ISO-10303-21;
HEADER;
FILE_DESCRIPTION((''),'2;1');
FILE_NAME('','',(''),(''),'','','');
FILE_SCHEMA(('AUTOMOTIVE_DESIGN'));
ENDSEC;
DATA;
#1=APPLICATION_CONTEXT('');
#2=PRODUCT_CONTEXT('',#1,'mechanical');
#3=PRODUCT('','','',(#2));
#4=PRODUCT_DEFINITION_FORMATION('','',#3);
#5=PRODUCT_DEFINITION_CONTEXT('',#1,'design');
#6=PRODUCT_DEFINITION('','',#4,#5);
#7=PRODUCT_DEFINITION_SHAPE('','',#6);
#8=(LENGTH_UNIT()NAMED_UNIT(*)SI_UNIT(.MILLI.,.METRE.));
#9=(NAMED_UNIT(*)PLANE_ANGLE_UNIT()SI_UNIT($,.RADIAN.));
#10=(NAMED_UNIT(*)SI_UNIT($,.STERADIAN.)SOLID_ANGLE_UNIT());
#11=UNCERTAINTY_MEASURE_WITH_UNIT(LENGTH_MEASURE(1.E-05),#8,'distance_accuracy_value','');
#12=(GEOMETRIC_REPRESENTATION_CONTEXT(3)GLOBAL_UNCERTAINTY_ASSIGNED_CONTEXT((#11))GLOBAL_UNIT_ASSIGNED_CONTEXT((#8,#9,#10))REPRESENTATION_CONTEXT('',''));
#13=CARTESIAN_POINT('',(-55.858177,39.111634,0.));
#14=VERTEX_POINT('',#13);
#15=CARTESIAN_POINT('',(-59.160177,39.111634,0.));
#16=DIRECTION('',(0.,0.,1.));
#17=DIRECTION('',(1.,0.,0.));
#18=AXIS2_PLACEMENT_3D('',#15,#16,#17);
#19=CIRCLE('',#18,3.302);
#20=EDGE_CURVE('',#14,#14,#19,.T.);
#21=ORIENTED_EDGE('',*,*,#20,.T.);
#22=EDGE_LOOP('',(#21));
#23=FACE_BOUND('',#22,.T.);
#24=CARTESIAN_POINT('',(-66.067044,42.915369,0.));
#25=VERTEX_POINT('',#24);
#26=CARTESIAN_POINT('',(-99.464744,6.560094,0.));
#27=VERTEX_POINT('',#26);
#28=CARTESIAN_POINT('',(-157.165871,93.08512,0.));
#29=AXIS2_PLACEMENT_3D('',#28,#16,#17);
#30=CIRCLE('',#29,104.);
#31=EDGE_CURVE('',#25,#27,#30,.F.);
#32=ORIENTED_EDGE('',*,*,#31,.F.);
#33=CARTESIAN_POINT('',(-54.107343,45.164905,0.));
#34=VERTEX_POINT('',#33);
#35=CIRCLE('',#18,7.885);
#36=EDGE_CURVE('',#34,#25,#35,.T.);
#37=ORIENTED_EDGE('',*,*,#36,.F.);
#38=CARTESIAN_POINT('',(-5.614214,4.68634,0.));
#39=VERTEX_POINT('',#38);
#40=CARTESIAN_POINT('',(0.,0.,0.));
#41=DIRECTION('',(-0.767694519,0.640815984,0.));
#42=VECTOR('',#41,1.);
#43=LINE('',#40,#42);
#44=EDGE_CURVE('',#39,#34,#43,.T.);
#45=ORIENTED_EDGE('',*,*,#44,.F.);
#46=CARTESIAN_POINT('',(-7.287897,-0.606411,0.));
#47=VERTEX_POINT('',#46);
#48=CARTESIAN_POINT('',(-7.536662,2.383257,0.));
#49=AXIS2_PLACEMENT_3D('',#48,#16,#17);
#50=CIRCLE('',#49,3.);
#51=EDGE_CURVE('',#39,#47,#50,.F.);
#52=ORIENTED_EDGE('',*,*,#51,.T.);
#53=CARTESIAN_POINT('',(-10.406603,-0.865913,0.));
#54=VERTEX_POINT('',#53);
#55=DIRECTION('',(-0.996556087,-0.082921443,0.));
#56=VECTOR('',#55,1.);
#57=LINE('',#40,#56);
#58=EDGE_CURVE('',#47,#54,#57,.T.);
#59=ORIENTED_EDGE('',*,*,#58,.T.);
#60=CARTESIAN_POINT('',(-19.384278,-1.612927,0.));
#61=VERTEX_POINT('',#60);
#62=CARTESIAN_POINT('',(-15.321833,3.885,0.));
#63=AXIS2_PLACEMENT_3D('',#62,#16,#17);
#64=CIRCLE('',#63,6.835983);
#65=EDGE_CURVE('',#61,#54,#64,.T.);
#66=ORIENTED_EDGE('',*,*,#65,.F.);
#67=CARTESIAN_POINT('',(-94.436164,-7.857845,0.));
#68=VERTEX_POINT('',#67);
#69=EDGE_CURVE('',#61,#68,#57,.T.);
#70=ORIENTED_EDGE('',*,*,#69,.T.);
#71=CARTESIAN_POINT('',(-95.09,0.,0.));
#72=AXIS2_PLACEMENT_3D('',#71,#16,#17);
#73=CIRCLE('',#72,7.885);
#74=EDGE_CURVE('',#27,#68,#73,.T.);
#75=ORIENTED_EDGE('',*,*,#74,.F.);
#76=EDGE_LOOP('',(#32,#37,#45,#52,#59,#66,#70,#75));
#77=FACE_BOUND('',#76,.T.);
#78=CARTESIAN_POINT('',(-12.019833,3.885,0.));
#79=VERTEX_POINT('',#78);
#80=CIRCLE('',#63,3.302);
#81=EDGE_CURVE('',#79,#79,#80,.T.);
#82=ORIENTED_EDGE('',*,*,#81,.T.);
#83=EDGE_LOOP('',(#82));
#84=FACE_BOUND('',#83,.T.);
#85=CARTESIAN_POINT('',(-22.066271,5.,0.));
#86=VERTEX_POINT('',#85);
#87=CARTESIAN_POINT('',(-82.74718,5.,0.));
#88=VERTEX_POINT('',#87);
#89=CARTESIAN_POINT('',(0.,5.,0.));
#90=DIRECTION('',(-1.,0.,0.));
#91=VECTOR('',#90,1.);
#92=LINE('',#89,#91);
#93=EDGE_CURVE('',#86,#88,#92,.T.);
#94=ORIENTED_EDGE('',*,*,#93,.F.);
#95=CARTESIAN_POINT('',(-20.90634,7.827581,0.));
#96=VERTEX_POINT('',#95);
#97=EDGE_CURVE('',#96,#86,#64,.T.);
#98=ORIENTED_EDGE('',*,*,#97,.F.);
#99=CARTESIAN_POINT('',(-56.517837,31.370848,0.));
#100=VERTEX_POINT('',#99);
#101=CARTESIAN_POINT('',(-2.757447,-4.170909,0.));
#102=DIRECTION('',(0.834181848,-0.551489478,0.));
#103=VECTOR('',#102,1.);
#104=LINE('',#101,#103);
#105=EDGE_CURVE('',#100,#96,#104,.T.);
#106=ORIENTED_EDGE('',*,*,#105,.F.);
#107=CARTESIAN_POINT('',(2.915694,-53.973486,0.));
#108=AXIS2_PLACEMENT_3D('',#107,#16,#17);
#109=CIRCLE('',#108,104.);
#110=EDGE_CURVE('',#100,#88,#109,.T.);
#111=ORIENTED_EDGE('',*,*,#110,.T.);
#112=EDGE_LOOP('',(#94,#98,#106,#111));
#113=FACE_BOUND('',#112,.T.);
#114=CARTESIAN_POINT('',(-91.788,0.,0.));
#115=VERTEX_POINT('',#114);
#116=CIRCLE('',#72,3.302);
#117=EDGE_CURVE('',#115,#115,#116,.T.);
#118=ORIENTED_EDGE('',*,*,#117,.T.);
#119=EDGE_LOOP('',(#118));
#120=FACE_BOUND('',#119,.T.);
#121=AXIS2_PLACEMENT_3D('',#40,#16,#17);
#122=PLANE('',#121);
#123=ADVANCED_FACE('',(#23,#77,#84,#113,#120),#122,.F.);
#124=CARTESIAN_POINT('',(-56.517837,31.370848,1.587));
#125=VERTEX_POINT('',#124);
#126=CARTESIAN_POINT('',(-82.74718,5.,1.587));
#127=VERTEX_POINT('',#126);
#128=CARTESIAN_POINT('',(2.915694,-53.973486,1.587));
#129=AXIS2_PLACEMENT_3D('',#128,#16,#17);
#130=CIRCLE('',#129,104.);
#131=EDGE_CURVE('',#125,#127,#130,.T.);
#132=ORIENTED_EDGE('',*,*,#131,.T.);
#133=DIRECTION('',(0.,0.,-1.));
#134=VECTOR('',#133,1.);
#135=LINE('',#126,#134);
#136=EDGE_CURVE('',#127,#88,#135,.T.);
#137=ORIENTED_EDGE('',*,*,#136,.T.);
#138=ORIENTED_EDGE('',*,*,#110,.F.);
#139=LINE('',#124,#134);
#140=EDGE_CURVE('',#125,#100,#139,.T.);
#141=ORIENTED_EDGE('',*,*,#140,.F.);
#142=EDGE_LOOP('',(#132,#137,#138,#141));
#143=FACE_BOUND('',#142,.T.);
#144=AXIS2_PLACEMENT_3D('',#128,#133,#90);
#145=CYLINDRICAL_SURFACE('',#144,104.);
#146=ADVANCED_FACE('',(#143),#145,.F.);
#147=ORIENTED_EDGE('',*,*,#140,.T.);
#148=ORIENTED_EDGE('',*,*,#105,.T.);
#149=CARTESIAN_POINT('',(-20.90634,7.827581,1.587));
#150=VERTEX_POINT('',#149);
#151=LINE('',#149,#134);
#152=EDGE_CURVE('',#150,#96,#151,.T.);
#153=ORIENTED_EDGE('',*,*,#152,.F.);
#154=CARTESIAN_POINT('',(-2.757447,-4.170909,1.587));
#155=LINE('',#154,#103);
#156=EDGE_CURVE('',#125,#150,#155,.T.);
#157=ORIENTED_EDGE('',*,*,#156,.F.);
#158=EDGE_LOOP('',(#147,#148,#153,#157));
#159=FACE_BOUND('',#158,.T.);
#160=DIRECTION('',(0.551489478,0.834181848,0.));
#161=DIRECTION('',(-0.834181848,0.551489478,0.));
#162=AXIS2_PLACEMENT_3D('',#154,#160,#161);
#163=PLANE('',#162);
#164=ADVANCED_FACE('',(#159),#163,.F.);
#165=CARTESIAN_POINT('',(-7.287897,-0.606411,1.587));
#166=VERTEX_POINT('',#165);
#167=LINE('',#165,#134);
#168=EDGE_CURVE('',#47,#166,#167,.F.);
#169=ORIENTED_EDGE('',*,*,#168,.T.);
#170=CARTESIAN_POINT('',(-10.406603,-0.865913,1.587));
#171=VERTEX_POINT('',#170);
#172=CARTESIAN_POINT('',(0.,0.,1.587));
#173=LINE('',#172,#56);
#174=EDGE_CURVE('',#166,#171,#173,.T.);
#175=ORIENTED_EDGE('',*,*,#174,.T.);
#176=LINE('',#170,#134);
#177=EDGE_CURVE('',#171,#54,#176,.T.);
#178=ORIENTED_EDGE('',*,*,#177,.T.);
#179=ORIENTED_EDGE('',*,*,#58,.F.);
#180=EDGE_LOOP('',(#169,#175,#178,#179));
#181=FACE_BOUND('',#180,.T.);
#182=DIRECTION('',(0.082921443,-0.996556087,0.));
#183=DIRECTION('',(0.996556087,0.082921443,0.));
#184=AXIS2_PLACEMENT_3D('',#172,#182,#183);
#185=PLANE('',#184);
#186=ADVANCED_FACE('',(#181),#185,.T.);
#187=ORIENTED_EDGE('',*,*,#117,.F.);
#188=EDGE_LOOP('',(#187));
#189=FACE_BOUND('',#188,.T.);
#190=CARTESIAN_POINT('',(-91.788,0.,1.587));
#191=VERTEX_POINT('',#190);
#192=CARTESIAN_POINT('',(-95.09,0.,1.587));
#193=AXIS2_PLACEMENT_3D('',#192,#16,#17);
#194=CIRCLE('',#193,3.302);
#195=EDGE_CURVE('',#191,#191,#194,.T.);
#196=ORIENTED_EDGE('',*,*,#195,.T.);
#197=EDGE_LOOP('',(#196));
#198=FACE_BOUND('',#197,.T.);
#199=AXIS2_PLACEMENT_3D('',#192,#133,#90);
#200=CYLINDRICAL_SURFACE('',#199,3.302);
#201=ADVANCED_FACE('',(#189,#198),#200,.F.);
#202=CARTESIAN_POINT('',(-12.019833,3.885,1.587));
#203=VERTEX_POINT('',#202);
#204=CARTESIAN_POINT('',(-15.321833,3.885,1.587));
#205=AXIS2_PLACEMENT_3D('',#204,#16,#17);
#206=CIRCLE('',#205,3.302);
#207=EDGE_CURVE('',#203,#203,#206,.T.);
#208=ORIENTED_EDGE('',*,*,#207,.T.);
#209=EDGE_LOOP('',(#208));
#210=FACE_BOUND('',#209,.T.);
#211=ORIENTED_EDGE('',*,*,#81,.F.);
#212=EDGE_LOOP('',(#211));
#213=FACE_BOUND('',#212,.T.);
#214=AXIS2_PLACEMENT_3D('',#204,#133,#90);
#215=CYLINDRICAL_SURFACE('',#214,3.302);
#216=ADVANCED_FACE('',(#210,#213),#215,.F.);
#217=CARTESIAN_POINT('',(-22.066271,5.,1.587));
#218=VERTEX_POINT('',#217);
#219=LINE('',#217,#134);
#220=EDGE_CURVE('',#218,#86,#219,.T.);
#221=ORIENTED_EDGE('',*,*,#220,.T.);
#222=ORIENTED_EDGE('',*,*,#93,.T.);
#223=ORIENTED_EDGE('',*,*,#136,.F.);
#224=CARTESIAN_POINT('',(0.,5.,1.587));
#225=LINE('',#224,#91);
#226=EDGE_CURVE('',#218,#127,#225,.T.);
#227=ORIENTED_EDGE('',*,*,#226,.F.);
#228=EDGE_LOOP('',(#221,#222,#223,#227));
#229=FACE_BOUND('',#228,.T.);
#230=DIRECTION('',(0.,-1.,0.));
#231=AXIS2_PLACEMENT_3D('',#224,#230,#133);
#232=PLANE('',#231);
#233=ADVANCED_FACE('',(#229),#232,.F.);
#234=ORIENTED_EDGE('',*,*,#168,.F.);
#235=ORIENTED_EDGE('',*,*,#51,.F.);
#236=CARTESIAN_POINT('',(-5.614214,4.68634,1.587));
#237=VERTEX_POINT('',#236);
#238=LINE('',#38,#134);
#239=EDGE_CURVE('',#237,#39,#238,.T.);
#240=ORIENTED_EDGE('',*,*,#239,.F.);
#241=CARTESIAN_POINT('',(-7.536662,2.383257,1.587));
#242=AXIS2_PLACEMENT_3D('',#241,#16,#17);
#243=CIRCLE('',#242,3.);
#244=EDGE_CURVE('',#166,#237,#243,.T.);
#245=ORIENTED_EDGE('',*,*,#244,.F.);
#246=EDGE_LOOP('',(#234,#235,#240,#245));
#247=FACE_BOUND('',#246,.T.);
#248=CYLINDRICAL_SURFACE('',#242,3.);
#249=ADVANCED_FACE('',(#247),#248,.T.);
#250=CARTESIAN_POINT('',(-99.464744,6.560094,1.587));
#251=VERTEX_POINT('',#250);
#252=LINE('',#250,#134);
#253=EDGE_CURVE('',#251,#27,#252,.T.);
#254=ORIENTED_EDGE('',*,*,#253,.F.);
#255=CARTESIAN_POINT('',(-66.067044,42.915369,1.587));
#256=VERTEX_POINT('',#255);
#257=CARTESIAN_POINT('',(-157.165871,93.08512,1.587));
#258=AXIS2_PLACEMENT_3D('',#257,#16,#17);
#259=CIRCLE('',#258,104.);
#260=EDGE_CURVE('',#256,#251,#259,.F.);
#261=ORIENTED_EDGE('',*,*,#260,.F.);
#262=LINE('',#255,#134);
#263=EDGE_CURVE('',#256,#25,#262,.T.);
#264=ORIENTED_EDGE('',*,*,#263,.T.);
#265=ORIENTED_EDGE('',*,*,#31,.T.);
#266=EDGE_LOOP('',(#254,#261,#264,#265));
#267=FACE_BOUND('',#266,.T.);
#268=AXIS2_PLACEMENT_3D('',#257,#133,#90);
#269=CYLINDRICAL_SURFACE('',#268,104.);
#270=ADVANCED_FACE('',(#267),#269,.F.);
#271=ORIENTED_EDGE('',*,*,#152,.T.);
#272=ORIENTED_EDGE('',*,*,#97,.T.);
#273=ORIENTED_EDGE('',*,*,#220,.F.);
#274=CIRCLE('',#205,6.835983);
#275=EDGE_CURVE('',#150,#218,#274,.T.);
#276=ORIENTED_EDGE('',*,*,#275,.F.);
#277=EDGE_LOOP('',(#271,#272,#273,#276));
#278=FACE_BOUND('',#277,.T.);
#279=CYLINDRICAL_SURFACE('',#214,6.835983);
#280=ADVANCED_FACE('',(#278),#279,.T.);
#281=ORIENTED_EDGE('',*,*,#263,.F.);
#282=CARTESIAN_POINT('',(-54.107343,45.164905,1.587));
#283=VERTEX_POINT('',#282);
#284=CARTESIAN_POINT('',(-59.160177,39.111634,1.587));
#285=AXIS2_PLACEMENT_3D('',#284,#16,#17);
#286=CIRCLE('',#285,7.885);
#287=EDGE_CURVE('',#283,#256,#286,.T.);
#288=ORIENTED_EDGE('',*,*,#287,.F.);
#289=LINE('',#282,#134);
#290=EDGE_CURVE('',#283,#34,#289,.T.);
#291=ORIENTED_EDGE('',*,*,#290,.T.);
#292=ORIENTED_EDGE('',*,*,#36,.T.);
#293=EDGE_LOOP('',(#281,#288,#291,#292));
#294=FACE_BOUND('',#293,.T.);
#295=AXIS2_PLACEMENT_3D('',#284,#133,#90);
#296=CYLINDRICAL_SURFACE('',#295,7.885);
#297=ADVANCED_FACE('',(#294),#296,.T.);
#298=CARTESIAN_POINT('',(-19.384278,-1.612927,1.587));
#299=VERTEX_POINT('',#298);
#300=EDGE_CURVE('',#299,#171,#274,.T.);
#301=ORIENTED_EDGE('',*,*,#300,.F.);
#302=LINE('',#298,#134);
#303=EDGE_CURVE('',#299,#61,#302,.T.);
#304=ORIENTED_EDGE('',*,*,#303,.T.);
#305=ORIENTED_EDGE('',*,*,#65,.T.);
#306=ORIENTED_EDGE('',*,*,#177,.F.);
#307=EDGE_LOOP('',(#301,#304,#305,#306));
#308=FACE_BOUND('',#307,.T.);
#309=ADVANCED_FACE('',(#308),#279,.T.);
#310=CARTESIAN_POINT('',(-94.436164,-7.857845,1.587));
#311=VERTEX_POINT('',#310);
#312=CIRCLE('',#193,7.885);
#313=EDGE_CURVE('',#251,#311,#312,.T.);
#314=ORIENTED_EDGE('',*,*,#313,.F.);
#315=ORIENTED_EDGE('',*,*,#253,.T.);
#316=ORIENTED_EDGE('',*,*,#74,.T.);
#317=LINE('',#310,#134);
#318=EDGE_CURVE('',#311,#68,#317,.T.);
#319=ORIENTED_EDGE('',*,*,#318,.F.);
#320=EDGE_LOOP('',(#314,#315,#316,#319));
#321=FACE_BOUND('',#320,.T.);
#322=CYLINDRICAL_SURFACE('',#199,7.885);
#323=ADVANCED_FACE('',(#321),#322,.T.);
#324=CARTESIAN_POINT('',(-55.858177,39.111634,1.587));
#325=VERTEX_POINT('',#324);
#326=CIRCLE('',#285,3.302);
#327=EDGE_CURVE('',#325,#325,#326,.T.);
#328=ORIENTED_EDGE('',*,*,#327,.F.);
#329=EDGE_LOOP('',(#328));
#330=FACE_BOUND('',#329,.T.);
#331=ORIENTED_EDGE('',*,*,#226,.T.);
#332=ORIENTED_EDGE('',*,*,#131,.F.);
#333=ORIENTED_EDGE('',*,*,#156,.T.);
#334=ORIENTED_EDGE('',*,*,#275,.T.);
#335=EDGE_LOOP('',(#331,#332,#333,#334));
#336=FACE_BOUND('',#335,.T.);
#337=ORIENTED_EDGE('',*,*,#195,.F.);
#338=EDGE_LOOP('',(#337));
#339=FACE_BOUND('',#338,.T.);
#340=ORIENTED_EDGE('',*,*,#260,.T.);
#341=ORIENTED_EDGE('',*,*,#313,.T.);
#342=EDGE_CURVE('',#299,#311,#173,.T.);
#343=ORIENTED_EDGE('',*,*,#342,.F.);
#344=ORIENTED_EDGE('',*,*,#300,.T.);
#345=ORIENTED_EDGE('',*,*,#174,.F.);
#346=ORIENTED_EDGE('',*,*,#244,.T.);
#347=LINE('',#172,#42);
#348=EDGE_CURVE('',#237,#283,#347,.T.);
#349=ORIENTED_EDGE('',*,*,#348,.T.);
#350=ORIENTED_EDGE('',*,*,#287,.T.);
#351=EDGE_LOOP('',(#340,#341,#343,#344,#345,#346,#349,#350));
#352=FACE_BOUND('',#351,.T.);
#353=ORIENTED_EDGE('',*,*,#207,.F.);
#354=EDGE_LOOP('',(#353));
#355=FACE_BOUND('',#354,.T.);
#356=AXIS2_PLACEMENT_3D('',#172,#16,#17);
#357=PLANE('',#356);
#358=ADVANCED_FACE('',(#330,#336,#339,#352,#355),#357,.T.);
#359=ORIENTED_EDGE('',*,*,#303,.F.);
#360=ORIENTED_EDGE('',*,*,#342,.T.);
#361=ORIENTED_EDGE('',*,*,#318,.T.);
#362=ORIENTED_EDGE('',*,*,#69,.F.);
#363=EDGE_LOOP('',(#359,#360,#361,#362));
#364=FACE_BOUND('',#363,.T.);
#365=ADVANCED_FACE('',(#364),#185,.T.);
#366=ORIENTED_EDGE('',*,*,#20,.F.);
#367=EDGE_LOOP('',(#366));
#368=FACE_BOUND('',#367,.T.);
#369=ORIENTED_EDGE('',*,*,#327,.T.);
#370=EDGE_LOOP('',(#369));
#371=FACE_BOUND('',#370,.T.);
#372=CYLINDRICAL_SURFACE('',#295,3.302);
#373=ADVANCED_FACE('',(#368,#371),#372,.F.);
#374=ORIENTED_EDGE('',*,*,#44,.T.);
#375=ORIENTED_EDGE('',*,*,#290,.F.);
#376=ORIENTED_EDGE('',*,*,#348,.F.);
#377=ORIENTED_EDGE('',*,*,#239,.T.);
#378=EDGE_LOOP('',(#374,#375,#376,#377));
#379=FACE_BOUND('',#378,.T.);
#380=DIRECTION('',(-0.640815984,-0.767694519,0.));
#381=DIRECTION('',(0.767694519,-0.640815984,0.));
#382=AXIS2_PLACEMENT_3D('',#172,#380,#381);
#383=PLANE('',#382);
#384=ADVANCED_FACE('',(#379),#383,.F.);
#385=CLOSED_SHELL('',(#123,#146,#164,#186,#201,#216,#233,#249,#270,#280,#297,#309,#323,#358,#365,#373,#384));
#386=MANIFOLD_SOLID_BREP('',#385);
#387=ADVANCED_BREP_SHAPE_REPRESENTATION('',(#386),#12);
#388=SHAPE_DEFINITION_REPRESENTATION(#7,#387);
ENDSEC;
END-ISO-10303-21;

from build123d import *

# Parameters (mm, degrees)
ESQUISSE1_R        = 3.302
BOSS_EXTRU_2_DEPTH = 1.587
CONG_1_R           = 3


with BuildPart() as part:
    # Esquisse1 → Boss.-Extru.2 (new body)
    with BuildSketch(Plane(origin=(0, 0, 0), x_dir=(0, 1, 0), z_dir=(0, 0, 1))):
        with BuildLine():
            Line((-0.865912697, 10.406603399), (0, 0))
            Line((0, 0), (45.164905045, 54.107342637))
            ThreePointArc((45.164905045, 54.107342637), (46.860747383, 60.617730495), (42.915369181, 66.067044408))
            ThreePointArc((42.915369181, 66.067044408), (22.727341061, 80.577470806), (6.560094465, 99.464744063))
            ThreePointArc((6.560094465, 99.464744063), (-2.596669453, 102.535168417), (-7.857844745, 94.436164423))
            Line((-7.857844745, 94.436164423), (-1.612927072, 19.384277892))
            ThreePointArc((-1.612927072, 19.384277892), (-2.927440017, 14.754983859), (-0.865912697, 10.406603399))
        make_face()
        with Locations(Location((3.885, 15.321833395, 0), (0, 0, 270))):
            Circle(ESQUISSE1_R, mode=Mode.SUBTRACT)
        with BuildLine():
            Line((5, 22.066270538), (5, 82.747179925))
            ThreePointArc((5, 82.747179925), (19.367518455, 70.82097994), (31.370848456, 56.517836875))
            Line((31.370848456, 56.517836875), (7.827581381, 20.90633959))
            ThreePointArc((7.827581381, 20.90633959), (6.479444508, 21.646350379), (5, 22.066270538))
        make_face(mode=Mode.SUBTRACT)
        with Locations(Location((0, 95.09, 0), (0, 0, 270))):
            Circle(ESQUISSE1_R, mode=Mode.SUBTRACT)
        with Locations(Location((39.111633766, 59.160176675, 0), (0, 0, 270))):
            Circle(ESQUISSE1_R, mode=Mode.SUBTRACT)
    extrude(amount=BOSS_EXTRU_2_DEPTH)

    # Congé1
    cong_1_edges = [part.edges().sort_by_distance(p)[0] for p in [
        (0, 0, 0.7935),
    ]]
    fillet(cong_1_edges, radius=CONG_1_R)


solid = part.part
